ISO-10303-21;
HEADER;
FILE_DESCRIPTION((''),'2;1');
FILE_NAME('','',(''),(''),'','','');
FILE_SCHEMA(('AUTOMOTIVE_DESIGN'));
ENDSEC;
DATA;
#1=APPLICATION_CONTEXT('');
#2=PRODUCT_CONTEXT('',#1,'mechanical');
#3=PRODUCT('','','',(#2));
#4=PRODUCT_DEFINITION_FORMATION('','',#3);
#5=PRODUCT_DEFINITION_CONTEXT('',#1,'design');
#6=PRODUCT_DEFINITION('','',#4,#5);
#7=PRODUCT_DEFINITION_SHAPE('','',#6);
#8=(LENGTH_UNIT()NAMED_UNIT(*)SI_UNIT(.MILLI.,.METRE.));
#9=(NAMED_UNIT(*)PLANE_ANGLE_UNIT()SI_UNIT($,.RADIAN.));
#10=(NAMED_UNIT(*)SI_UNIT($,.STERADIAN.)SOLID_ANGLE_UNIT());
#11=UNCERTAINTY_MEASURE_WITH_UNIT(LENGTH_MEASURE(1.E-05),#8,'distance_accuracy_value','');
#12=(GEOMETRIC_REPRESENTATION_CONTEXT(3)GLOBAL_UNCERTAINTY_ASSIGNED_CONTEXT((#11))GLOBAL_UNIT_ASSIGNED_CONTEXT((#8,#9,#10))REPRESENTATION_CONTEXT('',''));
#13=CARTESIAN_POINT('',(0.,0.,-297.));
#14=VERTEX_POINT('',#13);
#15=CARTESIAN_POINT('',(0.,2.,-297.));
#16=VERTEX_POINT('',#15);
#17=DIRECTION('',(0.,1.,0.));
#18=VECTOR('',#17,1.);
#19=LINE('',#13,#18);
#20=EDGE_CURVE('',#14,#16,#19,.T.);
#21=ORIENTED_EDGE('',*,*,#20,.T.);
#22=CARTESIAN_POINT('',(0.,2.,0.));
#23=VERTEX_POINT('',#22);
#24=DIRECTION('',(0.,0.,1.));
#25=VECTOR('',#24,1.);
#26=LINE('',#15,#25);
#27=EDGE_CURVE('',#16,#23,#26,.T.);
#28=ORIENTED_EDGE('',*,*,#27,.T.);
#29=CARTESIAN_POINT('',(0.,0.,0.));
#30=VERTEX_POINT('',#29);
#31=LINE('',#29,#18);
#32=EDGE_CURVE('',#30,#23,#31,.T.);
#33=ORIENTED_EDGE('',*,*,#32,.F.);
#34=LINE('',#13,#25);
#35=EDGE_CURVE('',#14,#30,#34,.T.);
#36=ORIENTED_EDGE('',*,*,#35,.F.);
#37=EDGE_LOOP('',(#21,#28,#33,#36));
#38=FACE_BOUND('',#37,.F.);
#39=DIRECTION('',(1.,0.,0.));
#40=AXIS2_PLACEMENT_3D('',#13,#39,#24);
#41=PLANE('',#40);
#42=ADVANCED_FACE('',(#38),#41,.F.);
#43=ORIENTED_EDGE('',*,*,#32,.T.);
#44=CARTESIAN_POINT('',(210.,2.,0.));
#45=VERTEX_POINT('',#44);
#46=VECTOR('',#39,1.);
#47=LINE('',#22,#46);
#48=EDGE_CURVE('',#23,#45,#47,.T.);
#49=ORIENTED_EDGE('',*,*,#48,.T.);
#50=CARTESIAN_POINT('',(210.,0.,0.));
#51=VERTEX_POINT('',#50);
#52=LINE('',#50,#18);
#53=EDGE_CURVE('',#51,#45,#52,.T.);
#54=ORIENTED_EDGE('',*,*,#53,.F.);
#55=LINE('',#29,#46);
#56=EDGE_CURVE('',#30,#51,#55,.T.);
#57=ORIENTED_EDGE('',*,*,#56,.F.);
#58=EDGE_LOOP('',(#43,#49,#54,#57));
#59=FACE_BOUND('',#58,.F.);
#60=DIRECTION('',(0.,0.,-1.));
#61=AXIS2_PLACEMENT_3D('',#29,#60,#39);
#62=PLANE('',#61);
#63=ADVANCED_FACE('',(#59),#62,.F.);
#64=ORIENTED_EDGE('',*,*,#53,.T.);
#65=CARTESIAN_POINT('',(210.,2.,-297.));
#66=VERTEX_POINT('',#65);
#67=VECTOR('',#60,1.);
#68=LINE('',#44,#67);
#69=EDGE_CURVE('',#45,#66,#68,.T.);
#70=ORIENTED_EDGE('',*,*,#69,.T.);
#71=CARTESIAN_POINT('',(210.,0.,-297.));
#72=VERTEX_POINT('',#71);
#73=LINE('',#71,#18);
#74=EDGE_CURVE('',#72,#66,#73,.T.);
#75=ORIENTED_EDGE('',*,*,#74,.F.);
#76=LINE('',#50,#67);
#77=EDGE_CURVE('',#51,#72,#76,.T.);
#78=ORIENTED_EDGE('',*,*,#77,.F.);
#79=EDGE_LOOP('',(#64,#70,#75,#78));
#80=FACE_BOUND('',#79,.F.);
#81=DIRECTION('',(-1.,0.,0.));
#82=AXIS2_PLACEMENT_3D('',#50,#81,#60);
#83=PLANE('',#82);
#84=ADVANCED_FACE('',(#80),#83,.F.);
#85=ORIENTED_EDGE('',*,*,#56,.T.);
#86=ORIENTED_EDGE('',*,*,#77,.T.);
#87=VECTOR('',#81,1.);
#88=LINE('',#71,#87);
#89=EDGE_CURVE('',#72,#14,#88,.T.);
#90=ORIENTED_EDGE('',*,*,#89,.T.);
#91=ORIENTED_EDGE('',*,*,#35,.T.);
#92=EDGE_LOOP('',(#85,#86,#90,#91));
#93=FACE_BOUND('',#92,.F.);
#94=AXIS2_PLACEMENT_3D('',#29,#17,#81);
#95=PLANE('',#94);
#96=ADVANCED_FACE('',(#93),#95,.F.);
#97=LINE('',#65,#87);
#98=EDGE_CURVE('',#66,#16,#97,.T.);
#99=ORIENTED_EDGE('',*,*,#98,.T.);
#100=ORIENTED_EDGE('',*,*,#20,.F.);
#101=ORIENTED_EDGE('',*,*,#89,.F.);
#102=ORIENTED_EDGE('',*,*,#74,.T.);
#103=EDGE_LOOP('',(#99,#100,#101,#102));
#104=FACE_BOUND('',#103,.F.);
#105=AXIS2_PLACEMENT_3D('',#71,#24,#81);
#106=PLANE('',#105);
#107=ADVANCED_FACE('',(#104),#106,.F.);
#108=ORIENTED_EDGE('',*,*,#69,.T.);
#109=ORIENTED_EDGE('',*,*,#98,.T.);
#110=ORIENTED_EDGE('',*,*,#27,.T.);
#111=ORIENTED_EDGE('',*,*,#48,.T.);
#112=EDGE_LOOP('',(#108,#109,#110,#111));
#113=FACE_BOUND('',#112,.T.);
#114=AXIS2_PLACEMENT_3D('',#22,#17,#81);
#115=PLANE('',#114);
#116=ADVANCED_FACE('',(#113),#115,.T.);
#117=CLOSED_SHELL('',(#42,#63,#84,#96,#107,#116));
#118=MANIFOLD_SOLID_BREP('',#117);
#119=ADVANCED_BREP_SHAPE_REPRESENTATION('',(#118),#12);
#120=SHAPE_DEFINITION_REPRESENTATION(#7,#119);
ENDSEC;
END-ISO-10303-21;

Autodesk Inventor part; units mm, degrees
ref_plane "YZ Plane" through (0, 0, 0) normal (1, 0, 0) x (0, 1, 0)
ref_plane "XZ Plane" through (0, 0, 0) normal (0, 1, 0) x (-1, 0, 0)
ref_plane "XY Plane" through (0, 0, 0) normal (0, 0, 1) x (1, 0, 0)
sketch "Sketch1" plane through (0, 0, 0) normal (0, 1, 0) x (-1, 0, 0)
  line L0 (0, 0) -> (-210, 0)
  line L1 (-210, 0) -> (-210, -297)
  line L2 (-210, -297) -> (0, -297)
  line L3 (0, -297) -> (0, 0)
  dimension "d0" = 210
  dimension "d1" = 297
  dimension "d2" = 210
  dimension "d3" = 297
extrude "Extrusion1" add sketch "Sketch1" along normal blind 2
properties part number "yaxis_platform_sheet"
